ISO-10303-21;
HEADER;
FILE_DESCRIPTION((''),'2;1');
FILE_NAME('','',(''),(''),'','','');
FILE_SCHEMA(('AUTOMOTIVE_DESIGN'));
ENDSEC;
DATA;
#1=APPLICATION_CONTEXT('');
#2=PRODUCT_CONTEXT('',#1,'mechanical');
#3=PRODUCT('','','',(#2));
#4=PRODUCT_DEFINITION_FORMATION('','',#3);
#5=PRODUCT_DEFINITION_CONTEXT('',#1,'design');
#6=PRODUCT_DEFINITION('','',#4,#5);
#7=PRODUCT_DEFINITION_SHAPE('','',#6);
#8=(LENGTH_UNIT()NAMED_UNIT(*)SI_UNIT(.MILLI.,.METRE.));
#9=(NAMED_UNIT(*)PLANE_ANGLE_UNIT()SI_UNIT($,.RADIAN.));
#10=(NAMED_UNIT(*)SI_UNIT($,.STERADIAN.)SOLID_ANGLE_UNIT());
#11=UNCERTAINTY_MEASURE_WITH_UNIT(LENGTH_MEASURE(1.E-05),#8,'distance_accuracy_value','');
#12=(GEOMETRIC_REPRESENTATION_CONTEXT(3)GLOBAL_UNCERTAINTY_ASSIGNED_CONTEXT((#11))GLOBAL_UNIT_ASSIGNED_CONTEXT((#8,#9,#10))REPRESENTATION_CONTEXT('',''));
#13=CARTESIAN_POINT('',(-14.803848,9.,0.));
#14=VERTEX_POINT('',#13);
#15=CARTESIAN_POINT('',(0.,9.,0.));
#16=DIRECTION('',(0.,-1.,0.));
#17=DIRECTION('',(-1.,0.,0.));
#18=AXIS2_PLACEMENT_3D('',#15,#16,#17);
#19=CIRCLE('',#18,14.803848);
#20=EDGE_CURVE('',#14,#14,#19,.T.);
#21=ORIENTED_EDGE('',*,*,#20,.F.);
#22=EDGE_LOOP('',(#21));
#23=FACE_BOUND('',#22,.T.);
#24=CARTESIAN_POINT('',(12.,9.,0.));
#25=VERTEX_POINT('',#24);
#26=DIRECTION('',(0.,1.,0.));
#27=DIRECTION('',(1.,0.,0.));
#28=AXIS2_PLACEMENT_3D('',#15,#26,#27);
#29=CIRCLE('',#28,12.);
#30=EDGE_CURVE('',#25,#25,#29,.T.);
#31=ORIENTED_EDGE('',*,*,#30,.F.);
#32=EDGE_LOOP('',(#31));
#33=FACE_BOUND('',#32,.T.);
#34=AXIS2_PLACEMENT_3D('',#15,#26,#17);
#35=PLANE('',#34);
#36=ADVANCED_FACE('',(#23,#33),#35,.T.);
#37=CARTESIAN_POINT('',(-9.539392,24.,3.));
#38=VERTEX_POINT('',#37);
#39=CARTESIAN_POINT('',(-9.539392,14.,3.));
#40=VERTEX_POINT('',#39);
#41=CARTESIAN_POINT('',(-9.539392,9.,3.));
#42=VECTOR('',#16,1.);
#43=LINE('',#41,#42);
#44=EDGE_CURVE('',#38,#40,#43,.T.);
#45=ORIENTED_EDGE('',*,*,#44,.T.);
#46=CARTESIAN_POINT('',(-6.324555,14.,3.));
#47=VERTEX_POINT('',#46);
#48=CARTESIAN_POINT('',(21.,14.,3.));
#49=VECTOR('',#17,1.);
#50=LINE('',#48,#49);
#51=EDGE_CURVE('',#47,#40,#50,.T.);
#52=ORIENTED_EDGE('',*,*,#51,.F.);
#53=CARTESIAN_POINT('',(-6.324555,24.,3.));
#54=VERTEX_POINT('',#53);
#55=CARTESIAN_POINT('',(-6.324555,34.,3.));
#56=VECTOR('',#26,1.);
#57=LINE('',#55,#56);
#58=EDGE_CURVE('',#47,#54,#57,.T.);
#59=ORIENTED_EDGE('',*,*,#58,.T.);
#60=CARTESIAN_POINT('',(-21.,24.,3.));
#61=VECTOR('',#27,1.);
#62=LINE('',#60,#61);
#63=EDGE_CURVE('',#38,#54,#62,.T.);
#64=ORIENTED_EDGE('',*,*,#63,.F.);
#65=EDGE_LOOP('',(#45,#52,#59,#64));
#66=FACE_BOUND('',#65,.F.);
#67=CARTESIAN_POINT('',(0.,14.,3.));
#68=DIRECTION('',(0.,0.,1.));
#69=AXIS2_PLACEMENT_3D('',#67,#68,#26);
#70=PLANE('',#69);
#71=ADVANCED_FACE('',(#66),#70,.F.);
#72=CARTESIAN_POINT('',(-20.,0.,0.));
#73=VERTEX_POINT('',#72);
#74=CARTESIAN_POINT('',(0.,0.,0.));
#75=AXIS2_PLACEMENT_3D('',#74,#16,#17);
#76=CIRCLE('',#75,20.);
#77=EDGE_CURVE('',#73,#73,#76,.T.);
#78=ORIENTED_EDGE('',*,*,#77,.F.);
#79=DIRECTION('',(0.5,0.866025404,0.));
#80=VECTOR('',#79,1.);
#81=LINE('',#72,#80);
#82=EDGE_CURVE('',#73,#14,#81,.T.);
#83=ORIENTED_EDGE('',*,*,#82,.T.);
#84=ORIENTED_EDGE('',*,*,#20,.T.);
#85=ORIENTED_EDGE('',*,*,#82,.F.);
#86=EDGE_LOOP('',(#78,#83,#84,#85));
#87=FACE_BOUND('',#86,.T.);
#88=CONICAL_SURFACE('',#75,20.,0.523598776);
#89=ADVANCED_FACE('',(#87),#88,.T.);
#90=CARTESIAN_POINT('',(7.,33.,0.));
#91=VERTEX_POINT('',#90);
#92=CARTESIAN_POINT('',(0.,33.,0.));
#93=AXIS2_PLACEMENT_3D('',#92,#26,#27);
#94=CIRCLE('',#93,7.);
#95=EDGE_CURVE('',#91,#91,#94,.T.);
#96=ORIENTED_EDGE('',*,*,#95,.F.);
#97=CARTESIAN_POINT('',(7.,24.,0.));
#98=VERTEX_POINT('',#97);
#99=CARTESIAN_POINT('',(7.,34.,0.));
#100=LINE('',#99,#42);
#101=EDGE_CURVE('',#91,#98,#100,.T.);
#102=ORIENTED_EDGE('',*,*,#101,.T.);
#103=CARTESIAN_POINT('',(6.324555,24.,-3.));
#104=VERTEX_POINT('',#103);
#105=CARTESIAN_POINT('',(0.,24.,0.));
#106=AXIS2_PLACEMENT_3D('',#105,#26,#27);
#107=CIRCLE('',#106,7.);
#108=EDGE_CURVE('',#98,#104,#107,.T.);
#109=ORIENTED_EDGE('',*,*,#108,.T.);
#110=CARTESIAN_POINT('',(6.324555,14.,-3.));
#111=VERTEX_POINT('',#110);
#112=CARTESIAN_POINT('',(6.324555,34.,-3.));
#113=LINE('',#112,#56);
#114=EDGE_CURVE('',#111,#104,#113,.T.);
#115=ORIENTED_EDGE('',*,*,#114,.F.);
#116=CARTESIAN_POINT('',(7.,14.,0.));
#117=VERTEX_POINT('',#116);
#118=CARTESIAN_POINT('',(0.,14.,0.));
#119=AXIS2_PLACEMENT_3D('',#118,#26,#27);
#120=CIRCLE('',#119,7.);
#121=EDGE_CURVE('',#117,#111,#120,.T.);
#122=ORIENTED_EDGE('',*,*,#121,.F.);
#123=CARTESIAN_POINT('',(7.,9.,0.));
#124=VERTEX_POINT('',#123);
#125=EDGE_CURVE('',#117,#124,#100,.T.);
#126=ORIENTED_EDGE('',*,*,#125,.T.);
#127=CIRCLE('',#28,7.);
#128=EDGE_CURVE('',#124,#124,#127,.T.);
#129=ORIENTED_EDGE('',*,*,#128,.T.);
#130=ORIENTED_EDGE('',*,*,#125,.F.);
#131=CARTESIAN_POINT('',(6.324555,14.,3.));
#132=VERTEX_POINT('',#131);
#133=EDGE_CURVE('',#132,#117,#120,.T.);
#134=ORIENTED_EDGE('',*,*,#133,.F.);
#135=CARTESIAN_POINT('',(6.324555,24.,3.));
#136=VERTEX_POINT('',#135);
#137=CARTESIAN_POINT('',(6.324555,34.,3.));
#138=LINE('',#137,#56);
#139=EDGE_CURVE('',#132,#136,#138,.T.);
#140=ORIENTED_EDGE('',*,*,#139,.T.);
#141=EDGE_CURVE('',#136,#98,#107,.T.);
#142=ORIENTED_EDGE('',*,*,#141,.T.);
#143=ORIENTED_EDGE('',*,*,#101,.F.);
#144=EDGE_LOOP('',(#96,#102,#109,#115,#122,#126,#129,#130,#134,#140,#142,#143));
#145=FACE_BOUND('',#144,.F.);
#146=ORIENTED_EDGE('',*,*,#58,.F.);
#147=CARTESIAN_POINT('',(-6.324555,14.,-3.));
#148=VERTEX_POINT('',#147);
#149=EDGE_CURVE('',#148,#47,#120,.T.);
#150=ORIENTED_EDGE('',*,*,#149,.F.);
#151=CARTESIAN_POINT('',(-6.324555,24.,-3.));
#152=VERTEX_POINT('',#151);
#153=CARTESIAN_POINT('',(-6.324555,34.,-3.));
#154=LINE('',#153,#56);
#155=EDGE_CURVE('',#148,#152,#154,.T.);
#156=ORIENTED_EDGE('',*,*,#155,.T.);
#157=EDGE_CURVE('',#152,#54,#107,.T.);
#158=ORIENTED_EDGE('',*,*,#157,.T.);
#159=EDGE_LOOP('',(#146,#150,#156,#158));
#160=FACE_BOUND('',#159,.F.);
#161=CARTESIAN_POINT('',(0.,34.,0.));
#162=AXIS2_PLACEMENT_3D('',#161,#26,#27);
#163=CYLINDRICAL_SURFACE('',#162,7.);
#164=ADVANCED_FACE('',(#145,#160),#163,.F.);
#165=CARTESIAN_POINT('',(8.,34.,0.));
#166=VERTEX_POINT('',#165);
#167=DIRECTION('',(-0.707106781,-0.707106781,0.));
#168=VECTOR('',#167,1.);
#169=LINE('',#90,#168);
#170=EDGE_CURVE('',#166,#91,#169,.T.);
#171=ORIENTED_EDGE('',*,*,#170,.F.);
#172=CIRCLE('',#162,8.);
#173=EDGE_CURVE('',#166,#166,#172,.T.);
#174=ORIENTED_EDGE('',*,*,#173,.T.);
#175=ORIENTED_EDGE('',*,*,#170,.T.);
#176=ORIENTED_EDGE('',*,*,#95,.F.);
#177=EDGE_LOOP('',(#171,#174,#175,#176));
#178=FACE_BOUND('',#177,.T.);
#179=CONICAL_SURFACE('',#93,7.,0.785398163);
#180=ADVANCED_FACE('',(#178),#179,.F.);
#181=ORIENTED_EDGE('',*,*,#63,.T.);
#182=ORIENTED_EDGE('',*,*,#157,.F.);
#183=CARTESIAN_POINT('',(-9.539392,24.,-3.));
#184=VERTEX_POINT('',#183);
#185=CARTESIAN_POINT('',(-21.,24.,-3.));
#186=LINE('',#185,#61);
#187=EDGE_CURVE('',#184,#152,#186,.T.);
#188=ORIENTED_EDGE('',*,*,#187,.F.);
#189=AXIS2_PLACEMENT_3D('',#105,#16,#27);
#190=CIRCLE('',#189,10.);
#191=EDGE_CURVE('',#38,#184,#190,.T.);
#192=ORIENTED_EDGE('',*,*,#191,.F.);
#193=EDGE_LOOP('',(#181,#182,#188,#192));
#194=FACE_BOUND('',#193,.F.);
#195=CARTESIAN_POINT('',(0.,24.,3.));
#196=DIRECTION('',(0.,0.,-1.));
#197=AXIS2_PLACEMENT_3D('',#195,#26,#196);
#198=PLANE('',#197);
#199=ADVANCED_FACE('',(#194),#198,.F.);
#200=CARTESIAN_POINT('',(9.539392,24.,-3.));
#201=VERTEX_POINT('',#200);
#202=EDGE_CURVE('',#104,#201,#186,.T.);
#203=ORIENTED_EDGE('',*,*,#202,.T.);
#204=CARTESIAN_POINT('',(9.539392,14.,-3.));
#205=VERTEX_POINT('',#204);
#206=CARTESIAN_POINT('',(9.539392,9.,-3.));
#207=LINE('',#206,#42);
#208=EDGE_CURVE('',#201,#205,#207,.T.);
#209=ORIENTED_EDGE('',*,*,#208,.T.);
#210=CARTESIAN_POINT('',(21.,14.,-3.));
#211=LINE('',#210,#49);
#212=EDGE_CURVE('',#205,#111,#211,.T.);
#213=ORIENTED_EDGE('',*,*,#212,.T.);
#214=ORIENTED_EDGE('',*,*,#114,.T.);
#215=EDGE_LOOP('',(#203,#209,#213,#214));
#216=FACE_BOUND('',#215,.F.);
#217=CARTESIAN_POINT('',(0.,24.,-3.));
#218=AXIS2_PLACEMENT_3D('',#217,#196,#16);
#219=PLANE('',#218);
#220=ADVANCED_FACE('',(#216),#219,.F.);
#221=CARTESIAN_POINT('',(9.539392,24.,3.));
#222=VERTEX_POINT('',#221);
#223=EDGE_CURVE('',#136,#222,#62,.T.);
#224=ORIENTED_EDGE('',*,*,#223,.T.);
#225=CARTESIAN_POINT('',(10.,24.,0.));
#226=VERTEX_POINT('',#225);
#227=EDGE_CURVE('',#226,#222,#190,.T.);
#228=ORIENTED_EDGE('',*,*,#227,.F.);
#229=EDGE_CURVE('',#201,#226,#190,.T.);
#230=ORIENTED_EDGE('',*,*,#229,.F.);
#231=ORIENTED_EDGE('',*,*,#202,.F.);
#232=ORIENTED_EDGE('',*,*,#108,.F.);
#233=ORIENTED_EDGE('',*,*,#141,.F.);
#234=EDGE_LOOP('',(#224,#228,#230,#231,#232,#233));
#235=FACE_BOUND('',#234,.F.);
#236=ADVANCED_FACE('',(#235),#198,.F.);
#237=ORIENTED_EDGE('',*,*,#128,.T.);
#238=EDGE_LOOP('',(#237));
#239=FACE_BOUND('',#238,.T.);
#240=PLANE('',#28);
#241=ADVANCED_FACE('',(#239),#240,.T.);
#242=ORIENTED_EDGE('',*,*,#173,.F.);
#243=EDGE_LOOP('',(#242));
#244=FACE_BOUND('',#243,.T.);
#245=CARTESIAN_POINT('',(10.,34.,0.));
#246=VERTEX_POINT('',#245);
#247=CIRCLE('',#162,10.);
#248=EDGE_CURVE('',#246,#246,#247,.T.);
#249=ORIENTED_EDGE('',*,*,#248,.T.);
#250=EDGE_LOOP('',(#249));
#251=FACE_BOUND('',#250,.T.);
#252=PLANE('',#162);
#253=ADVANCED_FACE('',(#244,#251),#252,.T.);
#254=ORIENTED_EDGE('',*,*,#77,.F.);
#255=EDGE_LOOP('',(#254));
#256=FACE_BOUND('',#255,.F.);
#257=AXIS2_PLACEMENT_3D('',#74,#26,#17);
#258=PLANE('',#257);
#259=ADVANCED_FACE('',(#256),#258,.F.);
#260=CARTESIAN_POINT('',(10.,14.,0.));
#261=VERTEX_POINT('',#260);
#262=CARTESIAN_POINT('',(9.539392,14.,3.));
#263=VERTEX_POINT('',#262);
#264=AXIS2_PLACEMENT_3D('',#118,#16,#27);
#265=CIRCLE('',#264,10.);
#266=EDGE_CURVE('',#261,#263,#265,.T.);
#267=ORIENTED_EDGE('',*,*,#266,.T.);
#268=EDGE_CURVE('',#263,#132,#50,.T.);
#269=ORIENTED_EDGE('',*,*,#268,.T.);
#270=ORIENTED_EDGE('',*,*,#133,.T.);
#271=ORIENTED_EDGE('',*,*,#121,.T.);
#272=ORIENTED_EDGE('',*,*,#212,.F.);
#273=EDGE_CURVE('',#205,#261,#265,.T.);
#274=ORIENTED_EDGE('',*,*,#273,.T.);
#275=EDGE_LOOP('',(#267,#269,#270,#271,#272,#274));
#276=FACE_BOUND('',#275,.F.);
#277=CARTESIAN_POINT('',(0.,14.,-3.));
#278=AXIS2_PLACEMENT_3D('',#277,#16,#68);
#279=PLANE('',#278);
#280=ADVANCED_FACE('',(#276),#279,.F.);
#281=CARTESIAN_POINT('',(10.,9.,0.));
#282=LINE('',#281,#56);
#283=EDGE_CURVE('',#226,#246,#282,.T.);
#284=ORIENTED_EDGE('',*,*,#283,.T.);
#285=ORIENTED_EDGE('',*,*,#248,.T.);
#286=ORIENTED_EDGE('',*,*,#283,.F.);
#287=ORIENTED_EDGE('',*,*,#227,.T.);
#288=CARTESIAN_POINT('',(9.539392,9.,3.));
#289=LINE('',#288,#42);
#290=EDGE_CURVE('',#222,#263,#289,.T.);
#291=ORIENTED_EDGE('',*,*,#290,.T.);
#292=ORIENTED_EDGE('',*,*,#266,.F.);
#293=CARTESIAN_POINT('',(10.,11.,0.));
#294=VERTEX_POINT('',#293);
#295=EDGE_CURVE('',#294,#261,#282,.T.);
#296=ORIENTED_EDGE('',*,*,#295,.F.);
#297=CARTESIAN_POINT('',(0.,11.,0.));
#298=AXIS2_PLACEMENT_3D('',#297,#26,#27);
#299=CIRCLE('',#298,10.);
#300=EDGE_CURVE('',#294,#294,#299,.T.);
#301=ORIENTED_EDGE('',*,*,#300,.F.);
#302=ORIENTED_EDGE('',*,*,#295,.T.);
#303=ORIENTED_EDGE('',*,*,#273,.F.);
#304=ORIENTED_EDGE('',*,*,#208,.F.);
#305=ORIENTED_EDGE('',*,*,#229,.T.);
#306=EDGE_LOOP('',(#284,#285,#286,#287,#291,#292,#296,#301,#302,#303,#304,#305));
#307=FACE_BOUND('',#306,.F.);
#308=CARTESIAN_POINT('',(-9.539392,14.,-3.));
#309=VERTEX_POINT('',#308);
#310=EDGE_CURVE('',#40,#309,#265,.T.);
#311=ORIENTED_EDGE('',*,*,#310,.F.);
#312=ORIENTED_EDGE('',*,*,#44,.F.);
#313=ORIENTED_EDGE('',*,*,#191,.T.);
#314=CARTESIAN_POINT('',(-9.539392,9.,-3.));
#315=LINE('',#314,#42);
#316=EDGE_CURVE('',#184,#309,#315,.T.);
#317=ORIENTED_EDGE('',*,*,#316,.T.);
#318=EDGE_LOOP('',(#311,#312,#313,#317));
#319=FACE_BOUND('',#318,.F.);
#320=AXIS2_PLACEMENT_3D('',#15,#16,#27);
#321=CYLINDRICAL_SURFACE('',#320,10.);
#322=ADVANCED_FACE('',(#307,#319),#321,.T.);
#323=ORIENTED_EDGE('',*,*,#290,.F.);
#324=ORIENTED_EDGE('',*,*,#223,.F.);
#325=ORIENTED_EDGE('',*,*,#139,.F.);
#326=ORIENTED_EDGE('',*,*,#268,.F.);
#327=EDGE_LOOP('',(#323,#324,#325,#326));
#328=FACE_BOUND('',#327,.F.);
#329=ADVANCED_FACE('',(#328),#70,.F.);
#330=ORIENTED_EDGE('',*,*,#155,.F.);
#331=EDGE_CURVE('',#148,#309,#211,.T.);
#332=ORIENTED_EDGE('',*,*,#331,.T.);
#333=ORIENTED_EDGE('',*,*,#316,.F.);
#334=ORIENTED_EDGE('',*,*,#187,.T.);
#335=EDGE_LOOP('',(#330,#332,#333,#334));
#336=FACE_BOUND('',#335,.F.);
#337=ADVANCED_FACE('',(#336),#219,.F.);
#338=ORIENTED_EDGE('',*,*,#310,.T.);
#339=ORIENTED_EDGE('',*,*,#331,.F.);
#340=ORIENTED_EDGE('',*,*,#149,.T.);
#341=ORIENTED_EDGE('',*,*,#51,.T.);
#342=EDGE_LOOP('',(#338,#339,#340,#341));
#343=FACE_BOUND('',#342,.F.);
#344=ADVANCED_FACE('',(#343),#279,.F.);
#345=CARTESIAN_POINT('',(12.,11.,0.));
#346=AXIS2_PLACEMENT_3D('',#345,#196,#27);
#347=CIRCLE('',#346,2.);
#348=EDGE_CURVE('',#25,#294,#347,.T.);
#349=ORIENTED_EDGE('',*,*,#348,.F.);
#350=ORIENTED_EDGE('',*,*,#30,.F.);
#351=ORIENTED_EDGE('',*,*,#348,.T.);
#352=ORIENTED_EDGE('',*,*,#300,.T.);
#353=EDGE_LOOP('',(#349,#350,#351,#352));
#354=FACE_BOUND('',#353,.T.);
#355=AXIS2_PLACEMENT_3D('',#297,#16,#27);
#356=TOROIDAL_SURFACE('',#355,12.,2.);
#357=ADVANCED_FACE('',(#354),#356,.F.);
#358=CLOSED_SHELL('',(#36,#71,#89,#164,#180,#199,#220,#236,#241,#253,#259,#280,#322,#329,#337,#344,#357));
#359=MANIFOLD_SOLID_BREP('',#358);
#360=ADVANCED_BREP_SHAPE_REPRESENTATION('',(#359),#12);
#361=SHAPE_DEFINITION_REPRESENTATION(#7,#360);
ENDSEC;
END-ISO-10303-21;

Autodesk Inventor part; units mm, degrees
ref_plane "YZ Plane" through (0, 0, 0) normal (1, 0, 0) x (0, 1, 0)
ref_plane "XZ Plane" through (0, 0, 0) normal (0, 1, 0) x (-1, 0, 0)
ref_plane "XY Plane" through (0, 0, 0) normal (0, 0, 1) x (1, 0, 0)
sketch "Sketch1" plane through (0, 0, 0) normal (0, 1, 0) x (-1, 0, 0)
  circle A0 centre (0, 0) radius 20
  dimension "d0" = 40
extrude "Extrusion1" add sketch "Sketch1" along normal blind 9 draft -30
sketch "Sketch2" plane through (0, 9, 0) normal (0, 1, 0) x (1, 0, 0)
  circle A0 centre (0, 0) radius 10
  dimension "d3" = 20
extrude "Extrusion2" add sketch "Sketch2" along normal blind 25
sketch "Sketch3" plane through (0, 34, 0) normal (0, 1, 0) x (1, 0, 0)
  circle A0 centre (0, 0) radius 7
  dimension "d6" = 14
extrude "Extrusion3" cut sketch "Sketch3" against normal up to surface (25 mm away)
sketch "Sketch4" plane through (0, 0, 0) normal (1, 0, 0) x (0, 1, 0)
  line L0 (24, -3) -> (14, -3)
  line L1 (14, -3) -> (14, 3)
  line L2 (14, 3) -> (24, 3)
  line L3 (24, 3) -> (24, -3)
  line L4 (9, 7) -> (9, -7) projected
  point P0 (0, 0)
  dimension "d9" = 10
  dimension "d10" = 6
  dimension "d11" = 3
  dimension "d12" = 5
extrude "Extrusion4" cut sketch "Sketch4" along normal through all both and the other way through all
fillet "Fillet1" radius 2 1 edges at (-10, 9, 0)
chamfer "Chamfer1" distance 1 angle 45 1 edges at (-7, 34, 0)
properties part number "Foot Stamp"
